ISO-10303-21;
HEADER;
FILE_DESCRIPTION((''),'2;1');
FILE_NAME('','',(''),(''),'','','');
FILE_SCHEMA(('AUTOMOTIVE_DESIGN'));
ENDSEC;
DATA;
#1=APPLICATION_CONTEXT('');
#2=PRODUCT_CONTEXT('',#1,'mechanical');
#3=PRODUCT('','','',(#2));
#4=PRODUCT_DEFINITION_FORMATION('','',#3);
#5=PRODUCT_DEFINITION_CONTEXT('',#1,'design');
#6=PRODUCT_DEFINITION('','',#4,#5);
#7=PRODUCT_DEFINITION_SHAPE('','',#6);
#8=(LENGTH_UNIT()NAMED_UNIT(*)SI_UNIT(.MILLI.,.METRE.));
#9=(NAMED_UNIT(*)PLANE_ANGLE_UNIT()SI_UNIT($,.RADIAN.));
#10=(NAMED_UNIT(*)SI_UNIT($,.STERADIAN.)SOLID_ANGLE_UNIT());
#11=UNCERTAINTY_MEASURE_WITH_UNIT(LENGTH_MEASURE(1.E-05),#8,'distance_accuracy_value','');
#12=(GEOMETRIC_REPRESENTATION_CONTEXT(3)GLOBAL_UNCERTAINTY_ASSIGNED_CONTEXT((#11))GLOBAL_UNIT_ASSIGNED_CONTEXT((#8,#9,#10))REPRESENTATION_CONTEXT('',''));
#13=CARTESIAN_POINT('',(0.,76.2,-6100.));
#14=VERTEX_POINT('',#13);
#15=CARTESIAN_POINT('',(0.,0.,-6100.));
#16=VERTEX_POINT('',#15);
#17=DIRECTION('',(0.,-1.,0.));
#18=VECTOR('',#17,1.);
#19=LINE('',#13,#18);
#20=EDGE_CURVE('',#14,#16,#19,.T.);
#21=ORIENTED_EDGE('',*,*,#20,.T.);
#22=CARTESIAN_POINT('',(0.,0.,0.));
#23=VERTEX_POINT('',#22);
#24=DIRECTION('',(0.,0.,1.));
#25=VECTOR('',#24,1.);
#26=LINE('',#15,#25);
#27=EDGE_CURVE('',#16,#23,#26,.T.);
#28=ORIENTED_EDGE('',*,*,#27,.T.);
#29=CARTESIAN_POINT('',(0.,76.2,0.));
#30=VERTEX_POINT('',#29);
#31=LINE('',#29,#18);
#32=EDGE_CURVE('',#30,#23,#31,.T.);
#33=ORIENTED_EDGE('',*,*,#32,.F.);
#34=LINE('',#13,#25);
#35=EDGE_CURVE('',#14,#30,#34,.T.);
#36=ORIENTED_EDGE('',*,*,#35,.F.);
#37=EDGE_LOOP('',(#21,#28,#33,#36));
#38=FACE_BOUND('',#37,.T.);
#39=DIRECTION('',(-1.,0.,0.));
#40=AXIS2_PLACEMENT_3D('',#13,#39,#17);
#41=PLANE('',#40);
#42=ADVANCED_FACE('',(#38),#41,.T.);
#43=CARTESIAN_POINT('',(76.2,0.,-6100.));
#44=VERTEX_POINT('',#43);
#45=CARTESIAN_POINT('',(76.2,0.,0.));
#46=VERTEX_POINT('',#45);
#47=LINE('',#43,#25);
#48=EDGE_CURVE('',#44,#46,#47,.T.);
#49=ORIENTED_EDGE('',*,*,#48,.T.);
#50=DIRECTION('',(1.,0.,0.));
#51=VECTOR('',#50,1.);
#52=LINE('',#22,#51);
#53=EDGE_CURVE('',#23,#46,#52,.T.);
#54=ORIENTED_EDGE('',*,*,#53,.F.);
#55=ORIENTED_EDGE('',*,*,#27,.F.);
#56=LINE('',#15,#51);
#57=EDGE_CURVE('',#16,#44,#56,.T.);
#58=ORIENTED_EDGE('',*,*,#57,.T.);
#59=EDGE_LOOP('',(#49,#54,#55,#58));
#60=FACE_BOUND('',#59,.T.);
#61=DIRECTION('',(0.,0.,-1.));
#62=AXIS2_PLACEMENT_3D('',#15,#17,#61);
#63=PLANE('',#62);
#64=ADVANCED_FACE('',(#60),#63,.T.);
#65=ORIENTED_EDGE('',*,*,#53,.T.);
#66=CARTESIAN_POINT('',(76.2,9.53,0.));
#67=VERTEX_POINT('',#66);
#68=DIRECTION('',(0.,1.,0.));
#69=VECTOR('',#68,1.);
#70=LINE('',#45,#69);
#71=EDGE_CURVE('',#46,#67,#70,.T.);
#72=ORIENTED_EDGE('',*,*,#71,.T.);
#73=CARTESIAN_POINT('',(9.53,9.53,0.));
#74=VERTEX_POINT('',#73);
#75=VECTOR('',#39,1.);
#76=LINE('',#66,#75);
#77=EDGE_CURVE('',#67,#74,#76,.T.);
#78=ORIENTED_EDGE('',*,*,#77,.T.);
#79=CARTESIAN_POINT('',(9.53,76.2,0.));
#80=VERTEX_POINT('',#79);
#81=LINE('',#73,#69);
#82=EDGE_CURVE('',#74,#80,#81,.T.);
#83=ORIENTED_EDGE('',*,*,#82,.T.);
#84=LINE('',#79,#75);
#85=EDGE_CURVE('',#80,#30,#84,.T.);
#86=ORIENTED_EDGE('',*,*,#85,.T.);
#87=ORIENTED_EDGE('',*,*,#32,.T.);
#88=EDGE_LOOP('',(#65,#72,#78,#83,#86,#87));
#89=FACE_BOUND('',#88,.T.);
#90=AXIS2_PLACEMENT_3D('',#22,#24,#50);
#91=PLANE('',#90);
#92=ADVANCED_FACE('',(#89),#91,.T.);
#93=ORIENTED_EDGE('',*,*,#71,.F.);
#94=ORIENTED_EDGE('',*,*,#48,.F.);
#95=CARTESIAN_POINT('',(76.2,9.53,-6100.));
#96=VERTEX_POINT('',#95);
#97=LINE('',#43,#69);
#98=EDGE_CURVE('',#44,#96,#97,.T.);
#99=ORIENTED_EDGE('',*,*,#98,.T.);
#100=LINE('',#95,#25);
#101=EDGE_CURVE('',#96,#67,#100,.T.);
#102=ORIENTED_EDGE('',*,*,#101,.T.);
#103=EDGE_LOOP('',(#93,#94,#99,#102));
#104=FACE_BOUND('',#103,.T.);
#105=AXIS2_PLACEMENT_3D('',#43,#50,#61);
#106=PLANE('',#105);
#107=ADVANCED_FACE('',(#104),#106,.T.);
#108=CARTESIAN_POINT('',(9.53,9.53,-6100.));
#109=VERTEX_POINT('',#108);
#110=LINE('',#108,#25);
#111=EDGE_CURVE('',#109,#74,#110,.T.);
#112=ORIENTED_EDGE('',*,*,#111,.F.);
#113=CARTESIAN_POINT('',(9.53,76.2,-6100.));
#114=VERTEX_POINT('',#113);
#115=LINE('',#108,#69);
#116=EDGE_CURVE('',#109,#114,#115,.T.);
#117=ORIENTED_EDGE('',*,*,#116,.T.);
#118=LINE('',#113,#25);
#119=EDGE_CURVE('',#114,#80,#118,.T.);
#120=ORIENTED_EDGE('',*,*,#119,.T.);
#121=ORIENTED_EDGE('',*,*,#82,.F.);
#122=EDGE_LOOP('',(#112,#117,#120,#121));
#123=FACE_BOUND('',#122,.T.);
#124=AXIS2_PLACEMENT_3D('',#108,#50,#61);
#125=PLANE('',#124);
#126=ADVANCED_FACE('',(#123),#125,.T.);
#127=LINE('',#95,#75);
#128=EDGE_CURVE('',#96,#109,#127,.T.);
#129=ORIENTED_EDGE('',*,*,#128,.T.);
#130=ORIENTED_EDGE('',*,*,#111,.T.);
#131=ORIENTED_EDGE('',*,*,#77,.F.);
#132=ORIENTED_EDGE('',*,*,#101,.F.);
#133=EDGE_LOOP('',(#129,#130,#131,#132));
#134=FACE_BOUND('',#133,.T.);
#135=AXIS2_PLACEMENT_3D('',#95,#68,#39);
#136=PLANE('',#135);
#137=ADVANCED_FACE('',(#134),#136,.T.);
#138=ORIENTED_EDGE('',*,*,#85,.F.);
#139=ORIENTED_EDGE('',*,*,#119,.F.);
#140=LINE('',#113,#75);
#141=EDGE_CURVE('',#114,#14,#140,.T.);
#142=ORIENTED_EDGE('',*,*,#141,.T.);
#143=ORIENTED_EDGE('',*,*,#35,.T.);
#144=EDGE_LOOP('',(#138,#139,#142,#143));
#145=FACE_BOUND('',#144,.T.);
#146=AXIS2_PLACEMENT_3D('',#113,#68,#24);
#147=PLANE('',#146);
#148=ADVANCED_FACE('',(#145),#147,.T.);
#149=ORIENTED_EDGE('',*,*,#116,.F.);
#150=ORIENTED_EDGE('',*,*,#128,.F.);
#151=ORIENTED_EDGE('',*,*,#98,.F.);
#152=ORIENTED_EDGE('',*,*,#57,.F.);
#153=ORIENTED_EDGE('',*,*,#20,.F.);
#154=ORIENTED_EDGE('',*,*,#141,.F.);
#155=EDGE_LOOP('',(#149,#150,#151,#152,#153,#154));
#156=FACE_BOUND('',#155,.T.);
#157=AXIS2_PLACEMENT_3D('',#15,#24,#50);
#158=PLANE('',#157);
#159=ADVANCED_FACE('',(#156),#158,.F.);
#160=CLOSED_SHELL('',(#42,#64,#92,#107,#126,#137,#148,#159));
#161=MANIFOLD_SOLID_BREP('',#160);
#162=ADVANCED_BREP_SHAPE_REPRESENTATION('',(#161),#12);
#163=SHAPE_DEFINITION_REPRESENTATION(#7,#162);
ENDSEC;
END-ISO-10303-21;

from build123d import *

# Parameters (mm, degrees)
SALIENTE_EXTRUIR1_DEPTH = 6100


with BuildPart() as part:
    # Croquis1 → Saliente-Extruir1 (new body)
    with BuildSketch(Plane.XY):
        Polygon((0, 76.2), (0, 0), (76.2, 0), (76.2, 9.53), (9.53, 9.53), (9.53, 76.2), align=None)
    extrude(amount=-SALIENTE_EXTRUIR1_DEPTH)


solid = part.part
